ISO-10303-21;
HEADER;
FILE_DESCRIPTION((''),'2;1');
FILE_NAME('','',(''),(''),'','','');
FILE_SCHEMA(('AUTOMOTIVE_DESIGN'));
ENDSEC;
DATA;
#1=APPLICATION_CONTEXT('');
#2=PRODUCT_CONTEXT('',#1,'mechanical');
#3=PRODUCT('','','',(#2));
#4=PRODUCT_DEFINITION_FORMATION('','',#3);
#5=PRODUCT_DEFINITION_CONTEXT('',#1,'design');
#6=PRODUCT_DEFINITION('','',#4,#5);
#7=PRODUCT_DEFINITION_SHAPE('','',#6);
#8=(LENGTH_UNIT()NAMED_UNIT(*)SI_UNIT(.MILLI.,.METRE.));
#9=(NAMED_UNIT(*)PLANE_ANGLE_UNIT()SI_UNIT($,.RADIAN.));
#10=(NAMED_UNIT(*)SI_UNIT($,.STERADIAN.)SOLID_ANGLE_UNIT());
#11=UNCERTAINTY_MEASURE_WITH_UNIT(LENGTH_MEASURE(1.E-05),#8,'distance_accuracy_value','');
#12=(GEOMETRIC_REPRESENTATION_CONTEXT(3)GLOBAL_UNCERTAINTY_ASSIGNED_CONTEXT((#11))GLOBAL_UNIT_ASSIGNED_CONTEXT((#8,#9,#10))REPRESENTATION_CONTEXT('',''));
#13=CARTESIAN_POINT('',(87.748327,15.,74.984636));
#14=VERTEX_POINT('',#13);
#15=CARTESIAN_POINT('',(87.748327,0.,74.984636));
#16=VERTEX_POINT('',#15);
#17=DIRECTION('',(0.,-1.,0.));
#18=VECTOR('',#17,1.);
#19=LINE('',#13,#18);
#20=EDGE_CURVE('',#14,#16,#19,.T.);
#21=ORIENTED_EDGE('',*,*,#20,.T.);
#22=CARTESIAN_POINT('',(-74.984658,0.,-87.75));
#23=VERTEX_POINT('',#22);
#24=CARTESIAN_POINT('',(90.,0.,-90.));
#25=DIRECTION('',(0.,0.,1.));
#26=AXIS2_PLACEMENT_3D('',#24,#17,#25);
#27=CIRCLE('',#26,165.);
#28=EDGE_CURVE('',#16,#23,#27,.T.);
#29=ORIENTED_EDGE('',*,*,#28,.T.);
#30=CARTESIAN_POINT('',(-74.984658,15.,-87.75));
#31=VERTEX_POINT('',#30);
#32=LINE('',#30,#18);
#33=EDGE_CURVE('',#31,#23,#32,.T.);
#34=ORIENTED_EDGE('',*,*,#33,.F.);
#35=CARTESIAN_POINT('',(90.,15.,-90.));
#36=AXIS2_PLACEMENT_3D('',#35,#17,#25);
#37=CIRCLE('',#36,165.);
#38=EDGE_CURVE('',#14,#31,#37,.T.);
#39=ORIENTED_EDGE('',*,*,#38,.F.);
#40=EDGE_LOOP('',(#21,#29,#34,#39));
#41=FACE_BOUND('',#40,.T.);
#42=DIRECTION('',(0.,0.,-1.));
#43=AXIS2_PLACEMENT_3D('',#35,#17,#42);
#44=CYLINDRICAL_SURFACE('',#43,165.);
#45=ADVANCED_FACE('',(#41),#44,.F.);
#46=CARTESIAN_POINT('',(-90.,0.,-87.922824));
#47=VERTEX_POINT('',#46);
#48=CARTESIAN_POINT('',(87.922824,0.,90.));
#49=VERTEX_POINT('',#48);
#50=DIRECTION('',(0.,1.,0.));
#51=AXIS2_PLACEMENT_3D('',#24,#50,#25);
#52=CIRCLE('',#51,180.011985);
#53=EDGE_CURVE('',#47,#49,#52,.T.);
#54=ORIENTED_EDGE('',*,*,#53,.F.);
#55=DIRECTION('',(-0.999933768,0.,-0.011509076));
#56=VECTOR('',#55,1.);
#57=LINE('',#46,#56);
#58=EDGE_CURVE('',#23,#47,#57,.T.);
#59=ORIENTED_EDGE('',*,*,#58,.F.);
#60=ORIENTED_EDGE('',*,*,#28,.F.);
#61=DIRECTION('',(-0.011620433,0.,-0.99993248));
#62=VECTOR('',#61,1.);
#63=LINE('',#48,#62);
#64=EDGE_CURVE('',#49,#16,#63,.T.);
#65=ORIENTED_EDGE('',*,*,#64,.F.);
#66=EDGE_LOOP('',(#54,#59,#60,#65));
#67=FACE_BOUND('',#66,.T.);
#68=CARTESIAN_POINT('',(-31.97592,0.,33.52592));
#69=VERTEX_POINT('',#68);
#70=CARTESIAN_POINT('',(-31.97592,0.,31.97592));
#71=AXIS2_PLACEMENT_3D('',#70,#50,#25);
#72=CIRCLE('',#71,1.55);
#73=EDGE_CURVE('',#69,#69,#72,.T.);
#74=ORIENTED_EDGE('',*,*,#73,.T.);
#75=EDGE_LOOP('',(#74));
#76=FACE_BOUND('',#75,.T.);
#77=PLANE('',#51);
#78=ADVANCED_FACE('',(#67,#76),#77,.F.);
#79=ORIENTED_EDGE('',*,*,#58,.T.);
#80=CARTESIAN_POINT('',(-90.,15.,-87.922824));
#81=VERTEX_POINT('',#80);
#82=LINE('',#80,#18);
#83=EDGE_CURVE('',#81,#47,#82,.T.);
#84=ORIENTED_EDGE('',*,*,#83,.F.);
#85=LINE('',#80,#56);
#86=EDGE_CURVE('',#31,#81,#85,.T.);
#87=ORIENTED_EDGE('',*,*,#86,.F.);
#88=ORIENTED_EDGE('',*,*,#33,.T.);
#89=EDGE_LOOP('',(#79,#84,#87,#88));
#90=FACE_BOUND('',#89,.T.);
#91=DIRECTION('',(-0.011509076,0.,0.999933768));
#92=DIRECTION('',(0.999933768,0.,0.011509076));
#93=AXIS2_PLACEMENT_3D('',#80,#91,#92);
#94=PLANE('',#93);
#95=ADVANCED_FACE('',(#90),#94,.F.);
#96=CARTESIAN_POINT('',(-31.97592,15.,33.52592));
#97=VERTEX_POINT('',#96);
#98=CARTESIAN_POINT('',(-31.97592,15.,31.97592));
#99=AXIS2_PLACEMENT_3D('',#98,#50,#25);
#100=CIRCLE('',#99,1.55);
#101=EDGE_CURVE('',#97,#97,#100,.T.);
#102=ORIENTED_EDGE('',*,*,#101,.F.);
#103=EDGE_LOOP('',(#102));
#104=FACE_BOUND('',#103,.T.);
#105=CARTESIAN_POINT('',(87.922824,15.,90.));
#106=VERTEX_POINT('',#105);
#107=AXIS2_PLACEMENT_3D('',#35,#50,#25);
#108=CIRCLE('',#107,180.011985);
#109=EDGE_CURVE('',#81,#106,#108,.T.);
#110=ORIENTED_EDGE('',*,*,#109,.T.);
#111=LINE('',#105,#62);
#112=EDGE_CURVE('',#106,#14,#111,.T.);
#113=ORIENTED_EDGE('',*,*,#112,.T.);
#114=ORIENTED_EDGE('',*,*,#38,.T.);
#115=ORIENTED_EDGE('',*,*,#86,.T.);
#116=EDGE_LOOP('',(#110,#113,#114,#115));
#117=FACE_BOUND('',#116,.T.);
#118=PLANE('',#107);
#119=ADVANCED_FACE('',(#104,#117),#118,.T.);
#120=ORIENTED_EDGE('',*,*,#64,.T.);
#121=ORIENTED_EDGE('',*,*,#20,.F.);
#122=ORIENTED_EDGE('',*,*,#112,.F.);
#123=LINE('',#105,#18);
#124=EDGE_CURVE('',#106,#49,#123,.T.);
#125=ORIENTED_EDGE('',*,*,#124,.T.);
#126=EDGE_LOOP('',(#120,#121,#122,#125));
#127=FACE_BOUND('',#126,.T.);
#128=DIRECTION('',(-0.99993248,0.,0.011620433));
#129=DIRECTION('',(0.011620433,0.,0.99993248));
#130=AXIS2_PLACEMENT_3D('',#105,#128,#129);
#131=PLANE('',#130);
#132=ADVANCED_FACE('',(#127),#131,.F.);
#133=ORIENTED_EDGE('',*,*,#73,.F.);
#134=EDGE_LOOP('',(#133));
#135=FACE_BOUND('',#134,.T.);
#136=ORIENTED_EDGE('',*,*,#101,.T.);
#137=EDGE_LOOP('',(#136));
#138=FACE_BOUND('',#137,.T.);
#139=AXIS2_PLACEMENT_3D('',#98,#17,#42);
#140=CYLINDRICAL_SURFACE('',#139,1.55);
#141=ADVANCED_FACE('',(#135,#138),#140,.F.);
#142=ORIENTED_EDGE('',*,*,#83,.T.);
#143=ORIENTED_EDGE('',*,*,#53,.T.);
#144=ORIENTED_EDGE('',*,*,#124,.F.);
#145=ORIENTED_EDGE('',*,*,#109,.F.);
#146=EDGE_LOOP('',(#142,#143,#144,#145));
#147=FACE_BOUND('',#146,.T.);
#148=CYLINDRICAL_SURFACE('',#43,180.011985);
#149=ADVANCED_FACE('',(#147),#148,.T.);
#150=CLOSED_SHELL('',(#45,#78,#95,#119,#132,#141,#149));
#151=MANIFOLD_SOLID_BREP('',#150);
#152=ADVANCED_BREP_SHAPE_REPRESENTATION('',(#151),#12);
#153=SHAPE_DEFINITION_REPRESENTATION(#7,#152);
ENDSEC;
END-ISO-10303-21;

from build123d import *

# Parameters (mm, degrees)
SKETCH1_R           = 1.55
BOSS_EXTRUDE1_DEPTH = 15


with BuildPart() as part:
    # Sketch1 → Boss-Extrude1 (new body)
    with BuildSketch(Plane(origin=(0, 0, 0), x_dir=(1, 0, 0), z_dir=(0, 1, 0))):
        with BuildLine():
            Line((-90, 87.922824157), (-74.984658378, 87.75))
            ThreePointArc((-74.984658378, 87.75), (-26.673210325, -26.672027463), (87.748327336, -74.984635558))
            Line((87.748327336, -74.984635558), (87.922824157, -90))
            ThreePointArc((87.922824157, -90), (-37.287695123, -37.287695123), (-90, 87.922824157))
        make_face()
        with Locations(Location((-31.975919755, -31.975919755, 0), (0, 0, 270))):
            Circle(SKETCH1_R, mode=Mode.SUBTRACT)
    extrude(amount=BOSS_EXTRUDE1_DEPTH)


solid = part.part
